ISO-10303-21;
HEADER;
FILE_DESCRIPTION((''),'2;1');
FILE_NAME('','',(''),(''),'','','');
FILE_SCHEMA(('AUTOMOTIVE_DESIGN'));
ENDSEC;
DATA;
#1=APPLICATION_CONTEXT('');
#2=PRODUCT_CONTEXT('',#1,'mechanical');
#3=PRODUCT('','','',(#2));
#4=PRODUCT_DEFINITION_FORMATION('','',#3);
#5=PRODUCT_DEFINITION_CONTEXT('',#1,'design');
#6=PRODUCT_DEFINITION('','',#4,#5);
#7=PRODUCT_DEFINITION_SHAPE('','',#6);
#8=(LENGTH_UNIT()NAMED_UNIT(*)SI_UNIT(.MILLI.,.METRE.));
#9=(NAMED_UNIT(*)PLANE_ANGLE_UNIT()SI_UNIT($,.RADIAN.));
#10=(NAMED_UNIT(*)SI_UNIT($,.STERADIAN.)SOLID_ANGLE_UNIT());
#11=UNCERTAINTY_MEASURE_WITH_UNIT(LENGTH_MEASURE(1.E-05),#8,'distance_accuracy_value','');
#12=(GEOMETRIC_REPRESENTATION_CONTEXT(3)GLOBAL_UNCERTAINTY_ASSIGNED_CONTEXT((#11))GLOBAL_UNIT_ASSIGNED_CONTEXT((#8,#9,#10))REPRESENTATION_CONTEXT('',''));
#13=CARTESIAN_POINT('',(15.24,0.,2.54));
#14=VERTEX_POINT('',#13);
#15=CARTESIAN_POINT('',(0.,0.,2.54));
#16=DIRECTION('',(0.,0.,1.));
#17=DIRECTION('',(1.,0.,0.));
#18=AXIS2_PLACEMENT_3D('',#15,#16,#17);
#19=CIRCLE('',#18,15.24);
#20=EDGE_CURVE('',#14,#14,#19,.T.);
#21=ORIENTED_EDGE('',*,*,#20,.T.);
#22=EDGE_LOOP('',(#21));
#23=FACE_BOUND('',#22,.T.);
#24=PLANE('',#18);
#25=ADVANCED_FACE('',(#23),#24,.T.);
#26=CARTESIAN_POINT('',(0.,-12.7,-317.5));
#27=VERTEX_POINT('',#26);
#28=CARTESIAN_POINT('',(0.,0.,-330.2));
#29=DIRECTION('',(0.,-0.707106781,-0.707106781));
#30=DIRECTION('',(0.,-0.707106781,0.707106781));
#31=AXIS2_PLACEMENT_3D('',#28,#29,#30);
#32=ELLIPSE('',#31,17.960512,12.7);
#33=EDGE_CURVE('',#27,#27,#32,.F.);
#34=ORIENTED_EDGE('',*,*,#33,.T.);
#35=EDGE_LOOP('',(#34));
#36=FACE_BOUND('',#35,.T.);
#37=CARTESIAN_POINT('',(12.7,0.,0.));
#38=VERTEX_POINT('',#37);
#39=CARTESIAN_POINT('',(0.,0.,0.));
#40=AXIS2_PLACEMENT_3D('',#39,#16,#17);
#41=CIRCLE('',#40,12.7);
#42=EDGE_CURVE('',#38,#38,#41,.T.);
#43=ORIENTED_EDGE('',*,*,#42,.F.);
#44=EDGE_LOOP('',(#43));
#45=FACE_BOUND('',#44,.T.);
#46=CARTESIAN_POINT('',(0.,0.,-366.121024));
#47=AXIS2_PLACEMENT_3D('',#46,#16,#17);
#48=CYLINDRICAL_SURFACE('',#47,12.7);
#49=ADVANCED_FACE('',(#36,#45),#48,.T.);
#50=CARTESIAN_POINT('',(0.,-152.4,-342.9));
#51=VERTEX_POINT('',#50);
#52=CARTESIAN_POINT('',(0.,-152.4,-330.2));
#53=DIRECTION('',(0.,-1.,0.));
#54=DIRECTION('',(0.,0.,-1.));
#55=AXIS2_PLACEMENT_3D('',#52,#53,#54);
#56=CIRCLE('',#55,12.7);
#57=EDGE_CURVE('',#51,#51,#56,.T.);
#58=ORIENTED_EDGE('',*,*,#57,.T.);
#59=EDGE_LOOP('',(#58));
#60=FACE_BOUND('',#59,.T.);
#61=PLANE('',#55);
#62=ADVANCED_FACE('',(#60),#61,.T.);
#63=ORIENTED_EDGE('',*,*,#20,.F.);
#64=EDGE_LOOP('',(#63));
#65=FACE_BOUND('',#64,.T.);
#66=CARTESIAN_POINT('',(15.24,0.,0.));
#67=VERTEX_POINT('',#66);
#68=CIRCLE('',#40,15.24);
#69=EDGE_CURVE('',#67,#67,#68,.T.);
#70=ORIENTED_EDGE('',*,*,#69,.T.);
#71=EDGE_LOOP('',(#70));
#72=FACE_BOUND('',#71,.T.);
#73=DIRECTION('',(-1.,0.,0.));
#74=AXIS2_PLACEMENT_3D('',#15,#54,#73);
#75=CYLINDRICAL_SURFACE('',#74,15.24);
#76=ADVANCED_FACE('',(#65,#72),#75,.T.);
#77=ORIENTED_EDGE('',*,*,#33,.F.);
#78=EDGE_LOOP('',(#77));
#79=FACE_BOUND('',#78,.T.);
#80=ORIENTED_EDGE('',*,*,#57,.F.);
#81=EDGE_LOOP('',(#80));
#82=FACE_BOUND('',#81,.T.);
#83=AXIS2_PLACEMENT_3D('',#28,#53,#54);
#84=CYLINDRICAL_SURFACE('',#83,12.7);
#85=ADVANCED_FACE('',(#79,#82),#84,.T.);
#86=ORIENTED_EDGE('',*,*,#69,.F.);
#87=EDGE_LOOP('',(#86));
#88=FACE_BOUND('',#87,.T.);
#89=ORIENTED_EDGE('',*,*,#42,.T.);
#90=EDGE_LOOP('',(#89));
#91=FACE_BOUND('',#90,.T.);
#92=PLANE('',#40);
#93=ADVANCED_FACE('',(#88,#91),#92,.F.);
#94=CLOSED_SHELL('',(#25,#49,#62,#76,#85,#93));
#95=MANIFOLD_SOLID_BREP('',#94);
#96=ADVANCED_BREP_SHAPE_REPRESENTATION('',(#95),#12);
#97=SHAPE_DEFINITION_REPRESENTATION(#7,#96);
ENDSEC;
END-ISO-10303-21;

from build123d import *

# Parameters (mm, degrees)
SKETCH2_R           = 12.7
SKETCH3_R           = 15.24
BOSS_EXTRUDE1_DEPTH = 2.54


with BuildPart() as part:
    # Sweep1: sweep along a path in Sketch1
    with BuildLine(Plane(origin=(0, 0, 0), x_dir=(0, 0, -1), z_dir=(1, 0, 0))) as sweep1_path:
        Line((0, 0), (330.2, 0))
        Line((330.2, 0), (330.2, -152.4))
    # Sketch2 → Sweep1 (sweep)
    with BuildSketch(Plane.XY):
        Circle(SKETCH2_R)
    sweep(path=sweep1_path.line, transition=Transition.RIGHT)

    # Sketch3 → Boss-Extrude1 (add)
    with BuildSketch(Plane.XY):
        Circle(SKETCH3_R)
    extrude(amount=BOSS_EXTRUDE1_DEPTH)


solid = part.part
